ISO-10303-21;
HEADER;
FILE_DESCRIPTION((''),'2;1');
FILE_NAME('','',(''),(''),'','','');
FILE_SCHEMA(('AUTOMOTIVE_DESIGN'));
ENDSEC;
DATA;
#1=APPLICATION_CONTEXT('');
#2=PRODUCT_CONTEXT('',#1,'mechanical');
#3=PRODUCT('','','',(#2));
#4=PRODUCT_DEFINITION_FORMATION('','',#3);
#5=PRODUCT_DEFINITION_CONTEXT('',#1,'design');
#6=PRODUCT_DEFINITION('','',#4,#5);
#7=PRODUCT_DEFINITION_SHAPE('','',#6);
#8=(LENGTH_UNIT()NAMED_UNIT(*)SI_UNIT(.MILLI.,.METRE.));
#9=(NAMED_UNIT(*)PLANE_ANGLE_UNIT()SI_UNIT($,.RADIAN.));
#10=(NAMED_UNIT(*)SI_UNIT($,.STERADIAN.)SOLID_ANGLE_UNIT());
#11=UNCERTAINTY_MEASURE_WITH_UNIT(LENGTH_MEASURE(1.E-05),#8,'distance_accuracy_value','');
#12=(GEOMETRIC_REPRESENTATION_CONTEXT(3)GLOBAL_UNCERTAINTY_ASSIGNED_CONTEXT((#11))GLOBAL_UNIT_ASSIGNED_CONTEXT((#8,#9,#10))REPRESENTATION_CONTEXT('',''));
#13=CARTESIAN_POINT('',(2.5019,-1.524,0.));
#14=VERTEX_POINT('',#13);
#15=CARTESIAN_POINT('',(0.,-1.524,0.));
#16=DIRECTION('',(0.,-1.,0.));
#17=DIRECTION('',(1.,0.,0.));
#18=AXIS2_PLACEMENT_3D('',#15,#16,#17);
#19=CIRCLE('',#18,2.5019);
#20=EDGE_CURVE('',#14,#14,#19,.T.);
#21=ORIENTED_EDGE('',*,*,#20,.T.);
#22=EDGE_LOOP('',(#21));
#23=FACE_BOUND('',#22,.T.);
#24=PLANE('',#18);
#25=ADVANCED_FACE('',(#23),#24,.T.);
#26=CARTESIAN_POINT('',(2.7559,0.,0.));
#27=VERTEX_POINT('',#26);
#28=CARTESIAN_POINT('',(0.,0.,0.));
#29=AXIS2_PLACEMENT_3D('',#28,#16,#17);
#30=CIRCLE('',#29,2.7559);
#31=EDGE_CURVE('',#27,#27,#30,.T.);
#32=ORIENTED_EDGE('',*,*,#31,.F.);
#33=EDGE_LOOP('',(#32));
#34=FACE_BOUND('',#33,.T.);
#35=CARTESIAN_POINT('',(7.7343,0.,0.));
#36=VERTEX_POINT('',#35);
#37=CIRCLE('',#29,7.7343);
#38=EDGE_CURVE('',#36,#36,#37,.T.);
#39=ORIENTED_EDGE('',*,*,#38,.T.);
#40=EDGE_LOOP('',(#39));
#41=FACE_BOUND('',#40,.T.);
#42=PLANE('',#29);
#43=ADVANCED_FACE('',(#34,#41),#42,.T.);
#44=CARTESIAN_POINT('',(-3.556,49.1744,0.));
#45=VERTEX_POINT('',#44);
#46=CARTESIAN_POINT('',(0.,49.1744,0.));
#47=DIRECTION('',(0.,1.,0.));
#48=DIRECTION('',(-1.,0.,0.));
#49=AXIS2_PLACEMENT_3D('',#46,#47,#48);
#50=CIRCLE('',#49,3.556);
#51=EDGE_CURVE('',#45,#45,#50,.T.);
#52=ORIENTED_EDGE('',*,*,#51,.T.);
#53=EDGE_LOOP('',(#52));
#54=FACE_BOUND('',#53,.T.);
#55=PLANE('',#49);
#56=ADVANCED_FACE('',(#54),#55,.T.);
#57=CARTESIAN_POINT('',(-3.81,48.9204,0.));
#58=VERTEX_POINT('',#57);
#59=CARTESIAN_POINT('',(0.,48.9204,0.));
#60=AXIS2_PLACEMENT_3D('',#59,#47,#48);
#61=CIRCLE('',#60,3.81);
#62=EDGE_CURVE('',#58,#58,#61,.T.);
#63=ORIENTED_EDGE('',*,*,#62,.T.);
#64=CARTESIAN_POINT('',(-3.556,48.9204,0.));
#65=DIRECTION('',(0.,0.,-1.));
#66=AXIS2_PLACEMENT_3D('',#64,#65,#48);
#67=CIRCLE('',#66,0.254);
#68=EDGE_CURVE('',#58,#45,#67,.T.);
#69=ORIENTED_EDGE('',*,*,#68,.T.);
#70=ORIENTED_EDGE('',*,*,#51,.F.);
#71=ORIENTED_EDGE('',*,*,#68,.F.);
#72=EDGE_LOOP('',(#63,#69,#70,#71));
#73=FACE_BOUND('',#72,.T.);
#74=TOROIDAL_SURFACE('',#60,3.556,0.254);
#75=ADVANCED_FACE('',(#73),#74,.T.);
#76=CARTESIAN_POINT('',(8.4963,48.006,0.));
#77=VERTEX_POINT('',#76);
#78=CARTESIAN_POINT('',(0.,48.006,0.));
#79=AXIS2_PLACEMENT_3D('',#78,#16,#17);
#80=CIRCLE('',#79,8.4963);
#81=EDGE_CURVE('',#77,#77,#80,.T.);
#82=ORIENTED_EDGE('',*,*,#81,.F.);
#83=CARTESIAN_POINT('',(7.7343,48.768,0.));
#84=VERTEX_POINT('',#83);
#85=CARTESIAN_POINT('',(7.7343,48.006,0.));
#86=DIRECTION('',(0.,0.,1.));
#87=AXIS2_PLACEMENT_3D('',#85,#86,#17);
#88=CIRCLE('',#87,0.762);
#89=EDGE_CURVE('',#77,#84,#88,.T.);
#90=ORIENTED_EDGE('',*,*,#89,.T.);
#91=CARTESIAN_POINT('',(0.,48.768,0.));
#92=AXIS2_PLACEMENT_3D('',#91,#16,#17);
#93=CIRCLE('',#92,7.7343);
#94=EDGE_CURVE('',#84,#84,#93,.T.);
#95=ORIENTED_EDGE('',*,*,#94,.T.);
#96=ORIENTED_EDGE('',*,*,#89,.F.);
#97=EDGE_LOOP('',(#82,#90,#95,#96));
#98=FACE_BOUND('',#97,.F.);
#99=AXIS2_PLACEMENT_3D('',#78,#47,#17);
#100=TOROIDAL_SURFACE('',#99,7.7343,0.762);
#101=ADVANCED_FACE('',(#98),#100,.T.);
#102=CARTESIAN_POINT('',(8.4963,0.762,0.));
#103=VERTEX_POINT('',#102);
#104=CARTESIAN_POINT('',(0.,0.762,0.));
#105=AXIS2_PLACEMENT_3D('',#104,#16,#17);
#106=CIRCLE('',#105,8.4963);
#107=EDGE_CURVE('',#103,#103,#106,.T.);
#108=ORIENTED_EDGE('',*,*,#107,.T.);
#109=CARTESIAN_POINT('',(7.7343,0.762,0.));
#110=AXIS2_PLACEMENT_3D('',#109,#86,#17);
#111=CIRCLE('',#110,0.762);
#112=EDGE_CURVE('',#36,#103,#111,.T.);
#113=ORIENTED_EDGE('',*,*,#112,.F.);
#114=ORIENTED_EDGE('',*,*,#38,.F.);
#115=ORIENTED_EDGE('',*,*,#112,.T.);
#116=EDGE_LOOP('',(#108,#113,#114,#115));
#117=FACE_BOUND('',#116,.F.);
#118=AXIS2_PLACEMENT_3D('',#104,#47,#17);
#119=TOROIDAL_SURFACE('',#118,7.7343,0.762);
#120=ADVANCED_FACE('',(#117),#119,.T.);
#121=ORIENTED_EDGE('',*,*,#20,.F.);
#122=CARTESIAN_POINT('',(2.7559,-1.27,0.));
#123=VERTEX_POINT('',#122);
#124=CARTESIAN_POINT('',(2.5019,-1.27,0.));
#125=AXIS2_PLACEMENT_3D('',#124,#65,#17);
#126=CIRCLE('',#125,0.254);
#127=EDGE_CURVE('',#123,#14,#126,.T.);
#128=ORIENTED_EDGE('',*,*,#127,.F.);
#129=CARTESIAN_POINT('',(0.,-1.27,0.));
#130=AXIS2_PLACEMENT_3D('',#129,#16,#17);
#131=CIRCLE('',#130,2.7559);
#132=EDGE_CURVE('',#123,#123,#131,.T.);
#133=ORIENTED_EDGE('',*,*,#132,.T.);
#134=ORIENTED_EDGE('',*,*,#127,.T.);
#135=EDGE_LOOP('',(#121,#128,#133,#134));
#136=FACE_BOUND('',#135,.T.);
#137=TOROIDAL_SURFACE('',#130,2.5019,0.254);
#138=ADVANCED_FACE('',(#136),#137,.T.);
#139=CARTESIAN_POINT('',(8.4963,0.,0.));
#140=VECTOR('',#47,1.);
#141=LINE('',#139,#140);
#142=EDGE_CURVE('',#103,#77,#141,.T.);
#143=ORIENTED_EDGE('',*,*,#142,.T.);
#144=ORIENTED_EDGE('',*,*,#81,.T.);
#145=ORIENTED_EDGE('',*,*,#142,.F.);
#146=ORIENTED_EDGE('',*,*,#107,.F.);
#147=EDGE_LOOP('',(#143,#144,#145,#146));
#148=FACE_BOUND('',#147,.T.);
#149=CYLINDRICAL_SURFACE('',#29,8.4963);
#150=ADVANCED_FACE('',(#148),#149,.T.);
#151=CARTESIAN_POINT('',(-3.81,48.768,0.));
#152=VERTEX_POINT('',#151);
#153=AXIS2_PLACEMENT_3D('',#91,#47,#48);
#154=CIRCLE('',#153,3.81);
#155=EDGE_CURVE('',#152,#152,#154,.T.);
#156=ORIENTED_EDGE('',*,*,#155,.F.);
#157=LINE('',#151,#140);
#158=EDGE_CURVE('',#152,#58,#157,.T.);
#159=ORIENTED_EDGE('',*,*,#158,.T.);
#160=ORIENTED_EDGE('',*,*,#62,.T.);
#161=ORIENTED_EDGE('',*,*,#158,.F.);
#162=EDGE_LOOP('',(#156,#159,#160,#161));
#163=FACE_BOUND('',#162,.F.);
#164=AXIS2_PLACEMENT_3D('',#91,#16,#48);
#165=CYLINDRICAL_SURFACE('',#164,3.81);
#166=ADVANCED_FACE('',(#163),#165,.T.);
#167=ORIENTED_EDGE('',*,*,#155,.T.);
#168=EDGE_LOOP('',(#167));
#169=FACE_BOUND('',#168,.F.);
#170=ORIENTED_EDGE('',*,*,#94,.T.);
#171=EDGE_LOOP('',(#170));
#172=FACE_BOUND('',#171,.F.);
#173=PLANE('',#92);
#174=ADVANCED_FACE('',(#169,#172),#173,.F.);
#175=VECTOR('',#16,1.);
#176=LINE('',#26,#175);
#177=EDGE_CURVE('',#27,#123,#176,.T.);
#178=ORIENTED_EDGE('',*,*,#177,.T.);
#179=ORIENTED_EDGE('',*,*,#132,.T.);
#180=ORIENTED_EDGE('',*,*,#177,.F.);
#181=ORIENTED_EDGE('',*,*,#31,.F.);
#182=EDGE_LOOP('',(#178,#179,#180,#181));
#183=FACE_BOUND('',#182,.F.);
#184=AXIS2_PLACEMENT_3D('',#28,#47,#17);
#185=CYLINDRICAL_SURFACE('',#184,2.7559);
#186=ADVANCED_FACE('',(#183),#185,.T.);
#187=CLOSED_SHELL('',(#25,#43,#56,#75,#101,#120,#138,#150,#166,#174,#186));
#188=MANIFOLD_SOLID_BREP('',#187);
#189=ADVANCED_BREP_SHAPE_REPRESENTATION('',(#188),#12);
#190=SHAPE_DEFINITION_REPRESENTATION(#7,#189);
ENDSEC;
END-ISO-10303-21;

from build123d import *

# Parameters (mm, degrees)
F0_R     = 8.4963
F1_DEPTH = 48.768
F2_R     = 2.7559
F3_DEPTH = 1.524
F4_R     = 3.81
F5_DEPTH = 0.4064
F6_R     = 0.254
F7_R     = 0.762


with BuildPart() as f1:
    # F0 (on Front) → F1 (new body)
    with BuildSketch(Plane.XZ):
        Circle(F0_R)
    extrude(amount=-F1_DEPTH)

    # F2 (on face) → F3 (join)
    with BuildSketch(Plane.XZ):
        Circle(F2_R)
    extrude(amount=F3_DEPTH)

    # F4 (on face) → F5 (join)
    with BuildSketch(Plane(origin=(0, 48.768, 0), x_dir=(-1, 0, 0), z_dir=(0, 1, 0))):
        Circle(F4_R)
    extrude(amount=F5_DEPTH)

    # F6
    f6_edges = [f1.edges().sort_by_distance(p)[0] for p in [
        (3.81, 49.1744, 0),
        (-2.7559, -1.524, 0),
    ]]
    fillet(f6_edges, radius=F6_R)

    # F7
    f7_edges = [f1.edges().sort_by_distance(p)[0] for p in [
        (-8.4963, 48.768, 0),
        (-8.4963, 0, 0),
    ]]
    fillet(f7_edges, radius=F7_R)


solid = f1.part
